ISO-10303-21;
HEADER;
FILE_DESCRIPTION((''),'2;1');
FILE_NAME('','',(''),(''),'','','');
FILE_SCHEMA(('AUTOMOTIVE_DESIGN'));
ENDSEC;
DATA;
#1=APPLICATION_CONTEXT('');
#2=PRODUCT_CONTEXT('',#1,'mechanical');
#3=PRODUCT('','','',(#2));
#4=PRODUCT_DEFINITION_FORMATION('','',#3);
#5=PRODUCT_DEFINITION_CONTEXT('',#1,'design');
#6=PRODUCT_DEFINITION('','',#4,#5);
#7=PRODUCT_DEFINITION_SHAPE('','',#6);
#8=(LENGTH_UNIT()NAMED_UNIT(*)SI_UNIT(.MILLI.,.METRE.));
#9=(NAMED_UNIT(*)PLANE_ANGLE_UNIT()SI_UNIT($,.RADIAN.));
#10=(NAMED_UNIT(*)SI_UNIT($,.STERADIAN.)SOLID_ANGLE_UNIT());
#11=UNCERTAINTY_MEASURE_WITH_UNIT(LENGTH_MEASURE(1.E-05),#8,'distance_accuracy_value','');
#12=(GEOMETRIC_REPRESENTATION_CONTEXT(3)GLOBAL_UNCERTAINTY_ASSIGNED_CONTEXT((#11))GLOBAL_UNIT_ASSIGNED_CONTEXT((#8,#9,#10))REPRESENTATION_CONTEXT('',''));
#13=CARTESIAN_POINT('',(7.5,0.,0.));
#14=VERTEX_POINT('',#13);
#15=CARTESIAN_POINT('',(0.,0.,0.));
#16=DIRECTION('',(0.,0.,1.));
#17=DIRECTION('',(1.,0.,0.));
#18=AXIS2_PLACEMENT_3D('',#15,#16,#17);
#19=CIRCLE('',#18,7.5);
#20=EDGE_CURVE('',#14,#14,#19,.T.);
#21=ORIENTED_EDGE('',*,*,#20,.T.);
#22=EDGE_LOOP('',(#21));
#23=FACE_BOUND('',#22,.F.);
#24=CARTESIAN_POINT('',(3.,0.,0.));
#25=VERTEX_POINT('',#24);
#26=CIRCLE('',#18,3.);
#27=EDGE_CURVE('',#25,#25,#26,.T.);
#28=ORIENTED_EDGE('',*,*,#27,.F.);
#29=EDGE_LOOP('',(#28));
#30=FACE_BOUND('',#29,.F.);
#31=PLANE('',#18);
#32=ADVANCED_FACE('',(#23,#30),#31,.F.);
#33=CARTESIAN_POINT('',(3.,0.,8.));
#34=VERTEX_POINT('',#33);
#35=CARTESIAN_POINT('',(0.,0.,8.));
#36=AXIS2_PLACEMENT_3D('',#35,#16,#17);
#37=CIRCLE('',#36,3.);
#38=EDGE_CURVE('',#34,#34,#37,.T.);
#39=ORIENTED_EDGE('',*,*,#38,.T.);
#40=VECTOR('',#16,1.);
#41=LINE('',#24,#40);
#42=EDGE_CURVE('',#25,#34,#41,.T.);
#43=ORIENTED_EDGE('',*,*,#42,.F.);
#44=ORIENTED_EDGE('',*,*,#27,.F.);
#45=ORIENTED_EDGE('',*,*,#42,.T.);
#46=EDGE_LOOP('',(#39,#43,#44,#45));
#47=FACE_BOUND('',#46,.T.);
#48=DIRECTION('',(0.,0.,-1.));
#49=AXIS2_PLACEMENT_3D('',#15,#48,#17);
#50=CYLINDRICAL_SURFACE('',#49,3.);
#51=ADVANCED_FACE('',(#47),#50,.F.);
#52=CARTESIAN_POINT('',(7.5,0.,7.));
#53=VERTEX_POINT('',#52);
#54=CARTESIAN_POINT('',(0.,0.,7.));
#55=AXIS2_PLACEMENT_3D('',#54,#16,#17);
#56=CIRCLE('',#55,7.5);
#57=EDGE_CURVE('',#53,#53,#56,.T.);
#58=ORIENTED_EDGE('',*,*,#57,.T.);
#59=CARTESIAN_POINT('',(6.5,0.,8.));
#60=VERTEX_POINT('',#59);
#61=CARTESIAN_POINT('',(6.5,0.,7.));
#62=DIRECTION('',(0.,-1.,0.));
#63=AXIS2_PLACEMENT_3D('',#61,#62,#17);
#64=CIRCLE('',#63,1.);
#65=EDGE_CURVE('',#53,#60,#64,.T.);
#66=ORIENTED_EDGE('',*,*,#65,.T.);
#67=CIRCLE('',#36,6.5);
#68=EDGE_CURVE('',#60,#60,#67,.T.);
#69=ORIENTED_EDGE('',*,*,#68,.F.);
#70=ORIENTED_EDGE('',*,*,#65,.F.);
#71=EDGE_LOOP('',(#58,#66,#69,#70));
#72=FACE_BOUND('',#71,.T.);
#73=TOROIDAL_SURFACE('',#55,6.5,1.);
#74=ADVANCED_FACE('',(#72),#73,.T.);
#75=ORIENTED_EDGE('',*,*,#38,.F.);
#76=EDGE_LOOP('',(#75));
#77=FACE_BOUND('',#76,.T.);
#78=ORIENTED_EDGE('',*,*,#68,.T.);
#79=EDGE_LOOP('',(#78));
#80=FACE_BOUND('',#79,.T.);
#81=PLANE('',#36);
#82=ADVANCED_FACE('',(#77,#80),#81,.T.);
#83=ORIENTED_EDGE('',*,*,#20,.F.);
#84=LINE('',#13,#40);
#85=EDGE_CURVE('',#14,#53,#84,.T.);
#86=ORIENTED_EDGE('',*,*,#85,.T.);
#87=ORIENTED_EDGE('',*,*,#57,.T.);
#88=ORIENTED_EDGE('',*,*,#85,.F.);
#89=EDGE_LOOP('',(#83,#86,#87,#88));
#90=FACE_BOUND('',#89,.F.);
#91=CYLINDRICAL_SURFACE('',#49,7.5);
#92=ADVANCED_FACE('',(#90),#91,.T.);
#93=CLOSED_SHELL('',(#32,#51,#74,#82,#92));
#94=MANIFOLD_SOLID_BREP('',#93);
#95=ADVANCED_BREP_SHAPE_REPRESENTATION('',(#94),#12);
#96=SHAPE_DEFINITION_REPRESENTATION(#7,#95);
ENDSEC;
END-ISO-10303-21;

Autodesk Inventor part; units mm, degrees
ref_plane "YZ Plane" through (0, 0, 0) normal (1, 0, 0) x (0, 1, 0)
ref_plane "XZ Plane" through (0, 0, 0) normal (0, 1, 0) x (-1, 0, 0)
ref_plane "XY Plane" through (0, 0, 0) normal (0, 0, 1) x (1, 0, 0)
sketch "スケッチ1" plane through (0, 0, 0) normal (0, 0, 1) x (1, 0, 0)
  circle A0 centre (0, 0) radius 3
  circle A1 centre (0, 0) radius 7.5
  dimension "d0" = 6
  dimension "d1" = 15
extrude "押し出し1" add sketch "スケッチ1" along normal blind 8
fillet "フィレット1" radius 1 1 edges at (-7.5, 0, 8)
properties part number "セットカラーΦ6" material "アセタール樹脂、白"
